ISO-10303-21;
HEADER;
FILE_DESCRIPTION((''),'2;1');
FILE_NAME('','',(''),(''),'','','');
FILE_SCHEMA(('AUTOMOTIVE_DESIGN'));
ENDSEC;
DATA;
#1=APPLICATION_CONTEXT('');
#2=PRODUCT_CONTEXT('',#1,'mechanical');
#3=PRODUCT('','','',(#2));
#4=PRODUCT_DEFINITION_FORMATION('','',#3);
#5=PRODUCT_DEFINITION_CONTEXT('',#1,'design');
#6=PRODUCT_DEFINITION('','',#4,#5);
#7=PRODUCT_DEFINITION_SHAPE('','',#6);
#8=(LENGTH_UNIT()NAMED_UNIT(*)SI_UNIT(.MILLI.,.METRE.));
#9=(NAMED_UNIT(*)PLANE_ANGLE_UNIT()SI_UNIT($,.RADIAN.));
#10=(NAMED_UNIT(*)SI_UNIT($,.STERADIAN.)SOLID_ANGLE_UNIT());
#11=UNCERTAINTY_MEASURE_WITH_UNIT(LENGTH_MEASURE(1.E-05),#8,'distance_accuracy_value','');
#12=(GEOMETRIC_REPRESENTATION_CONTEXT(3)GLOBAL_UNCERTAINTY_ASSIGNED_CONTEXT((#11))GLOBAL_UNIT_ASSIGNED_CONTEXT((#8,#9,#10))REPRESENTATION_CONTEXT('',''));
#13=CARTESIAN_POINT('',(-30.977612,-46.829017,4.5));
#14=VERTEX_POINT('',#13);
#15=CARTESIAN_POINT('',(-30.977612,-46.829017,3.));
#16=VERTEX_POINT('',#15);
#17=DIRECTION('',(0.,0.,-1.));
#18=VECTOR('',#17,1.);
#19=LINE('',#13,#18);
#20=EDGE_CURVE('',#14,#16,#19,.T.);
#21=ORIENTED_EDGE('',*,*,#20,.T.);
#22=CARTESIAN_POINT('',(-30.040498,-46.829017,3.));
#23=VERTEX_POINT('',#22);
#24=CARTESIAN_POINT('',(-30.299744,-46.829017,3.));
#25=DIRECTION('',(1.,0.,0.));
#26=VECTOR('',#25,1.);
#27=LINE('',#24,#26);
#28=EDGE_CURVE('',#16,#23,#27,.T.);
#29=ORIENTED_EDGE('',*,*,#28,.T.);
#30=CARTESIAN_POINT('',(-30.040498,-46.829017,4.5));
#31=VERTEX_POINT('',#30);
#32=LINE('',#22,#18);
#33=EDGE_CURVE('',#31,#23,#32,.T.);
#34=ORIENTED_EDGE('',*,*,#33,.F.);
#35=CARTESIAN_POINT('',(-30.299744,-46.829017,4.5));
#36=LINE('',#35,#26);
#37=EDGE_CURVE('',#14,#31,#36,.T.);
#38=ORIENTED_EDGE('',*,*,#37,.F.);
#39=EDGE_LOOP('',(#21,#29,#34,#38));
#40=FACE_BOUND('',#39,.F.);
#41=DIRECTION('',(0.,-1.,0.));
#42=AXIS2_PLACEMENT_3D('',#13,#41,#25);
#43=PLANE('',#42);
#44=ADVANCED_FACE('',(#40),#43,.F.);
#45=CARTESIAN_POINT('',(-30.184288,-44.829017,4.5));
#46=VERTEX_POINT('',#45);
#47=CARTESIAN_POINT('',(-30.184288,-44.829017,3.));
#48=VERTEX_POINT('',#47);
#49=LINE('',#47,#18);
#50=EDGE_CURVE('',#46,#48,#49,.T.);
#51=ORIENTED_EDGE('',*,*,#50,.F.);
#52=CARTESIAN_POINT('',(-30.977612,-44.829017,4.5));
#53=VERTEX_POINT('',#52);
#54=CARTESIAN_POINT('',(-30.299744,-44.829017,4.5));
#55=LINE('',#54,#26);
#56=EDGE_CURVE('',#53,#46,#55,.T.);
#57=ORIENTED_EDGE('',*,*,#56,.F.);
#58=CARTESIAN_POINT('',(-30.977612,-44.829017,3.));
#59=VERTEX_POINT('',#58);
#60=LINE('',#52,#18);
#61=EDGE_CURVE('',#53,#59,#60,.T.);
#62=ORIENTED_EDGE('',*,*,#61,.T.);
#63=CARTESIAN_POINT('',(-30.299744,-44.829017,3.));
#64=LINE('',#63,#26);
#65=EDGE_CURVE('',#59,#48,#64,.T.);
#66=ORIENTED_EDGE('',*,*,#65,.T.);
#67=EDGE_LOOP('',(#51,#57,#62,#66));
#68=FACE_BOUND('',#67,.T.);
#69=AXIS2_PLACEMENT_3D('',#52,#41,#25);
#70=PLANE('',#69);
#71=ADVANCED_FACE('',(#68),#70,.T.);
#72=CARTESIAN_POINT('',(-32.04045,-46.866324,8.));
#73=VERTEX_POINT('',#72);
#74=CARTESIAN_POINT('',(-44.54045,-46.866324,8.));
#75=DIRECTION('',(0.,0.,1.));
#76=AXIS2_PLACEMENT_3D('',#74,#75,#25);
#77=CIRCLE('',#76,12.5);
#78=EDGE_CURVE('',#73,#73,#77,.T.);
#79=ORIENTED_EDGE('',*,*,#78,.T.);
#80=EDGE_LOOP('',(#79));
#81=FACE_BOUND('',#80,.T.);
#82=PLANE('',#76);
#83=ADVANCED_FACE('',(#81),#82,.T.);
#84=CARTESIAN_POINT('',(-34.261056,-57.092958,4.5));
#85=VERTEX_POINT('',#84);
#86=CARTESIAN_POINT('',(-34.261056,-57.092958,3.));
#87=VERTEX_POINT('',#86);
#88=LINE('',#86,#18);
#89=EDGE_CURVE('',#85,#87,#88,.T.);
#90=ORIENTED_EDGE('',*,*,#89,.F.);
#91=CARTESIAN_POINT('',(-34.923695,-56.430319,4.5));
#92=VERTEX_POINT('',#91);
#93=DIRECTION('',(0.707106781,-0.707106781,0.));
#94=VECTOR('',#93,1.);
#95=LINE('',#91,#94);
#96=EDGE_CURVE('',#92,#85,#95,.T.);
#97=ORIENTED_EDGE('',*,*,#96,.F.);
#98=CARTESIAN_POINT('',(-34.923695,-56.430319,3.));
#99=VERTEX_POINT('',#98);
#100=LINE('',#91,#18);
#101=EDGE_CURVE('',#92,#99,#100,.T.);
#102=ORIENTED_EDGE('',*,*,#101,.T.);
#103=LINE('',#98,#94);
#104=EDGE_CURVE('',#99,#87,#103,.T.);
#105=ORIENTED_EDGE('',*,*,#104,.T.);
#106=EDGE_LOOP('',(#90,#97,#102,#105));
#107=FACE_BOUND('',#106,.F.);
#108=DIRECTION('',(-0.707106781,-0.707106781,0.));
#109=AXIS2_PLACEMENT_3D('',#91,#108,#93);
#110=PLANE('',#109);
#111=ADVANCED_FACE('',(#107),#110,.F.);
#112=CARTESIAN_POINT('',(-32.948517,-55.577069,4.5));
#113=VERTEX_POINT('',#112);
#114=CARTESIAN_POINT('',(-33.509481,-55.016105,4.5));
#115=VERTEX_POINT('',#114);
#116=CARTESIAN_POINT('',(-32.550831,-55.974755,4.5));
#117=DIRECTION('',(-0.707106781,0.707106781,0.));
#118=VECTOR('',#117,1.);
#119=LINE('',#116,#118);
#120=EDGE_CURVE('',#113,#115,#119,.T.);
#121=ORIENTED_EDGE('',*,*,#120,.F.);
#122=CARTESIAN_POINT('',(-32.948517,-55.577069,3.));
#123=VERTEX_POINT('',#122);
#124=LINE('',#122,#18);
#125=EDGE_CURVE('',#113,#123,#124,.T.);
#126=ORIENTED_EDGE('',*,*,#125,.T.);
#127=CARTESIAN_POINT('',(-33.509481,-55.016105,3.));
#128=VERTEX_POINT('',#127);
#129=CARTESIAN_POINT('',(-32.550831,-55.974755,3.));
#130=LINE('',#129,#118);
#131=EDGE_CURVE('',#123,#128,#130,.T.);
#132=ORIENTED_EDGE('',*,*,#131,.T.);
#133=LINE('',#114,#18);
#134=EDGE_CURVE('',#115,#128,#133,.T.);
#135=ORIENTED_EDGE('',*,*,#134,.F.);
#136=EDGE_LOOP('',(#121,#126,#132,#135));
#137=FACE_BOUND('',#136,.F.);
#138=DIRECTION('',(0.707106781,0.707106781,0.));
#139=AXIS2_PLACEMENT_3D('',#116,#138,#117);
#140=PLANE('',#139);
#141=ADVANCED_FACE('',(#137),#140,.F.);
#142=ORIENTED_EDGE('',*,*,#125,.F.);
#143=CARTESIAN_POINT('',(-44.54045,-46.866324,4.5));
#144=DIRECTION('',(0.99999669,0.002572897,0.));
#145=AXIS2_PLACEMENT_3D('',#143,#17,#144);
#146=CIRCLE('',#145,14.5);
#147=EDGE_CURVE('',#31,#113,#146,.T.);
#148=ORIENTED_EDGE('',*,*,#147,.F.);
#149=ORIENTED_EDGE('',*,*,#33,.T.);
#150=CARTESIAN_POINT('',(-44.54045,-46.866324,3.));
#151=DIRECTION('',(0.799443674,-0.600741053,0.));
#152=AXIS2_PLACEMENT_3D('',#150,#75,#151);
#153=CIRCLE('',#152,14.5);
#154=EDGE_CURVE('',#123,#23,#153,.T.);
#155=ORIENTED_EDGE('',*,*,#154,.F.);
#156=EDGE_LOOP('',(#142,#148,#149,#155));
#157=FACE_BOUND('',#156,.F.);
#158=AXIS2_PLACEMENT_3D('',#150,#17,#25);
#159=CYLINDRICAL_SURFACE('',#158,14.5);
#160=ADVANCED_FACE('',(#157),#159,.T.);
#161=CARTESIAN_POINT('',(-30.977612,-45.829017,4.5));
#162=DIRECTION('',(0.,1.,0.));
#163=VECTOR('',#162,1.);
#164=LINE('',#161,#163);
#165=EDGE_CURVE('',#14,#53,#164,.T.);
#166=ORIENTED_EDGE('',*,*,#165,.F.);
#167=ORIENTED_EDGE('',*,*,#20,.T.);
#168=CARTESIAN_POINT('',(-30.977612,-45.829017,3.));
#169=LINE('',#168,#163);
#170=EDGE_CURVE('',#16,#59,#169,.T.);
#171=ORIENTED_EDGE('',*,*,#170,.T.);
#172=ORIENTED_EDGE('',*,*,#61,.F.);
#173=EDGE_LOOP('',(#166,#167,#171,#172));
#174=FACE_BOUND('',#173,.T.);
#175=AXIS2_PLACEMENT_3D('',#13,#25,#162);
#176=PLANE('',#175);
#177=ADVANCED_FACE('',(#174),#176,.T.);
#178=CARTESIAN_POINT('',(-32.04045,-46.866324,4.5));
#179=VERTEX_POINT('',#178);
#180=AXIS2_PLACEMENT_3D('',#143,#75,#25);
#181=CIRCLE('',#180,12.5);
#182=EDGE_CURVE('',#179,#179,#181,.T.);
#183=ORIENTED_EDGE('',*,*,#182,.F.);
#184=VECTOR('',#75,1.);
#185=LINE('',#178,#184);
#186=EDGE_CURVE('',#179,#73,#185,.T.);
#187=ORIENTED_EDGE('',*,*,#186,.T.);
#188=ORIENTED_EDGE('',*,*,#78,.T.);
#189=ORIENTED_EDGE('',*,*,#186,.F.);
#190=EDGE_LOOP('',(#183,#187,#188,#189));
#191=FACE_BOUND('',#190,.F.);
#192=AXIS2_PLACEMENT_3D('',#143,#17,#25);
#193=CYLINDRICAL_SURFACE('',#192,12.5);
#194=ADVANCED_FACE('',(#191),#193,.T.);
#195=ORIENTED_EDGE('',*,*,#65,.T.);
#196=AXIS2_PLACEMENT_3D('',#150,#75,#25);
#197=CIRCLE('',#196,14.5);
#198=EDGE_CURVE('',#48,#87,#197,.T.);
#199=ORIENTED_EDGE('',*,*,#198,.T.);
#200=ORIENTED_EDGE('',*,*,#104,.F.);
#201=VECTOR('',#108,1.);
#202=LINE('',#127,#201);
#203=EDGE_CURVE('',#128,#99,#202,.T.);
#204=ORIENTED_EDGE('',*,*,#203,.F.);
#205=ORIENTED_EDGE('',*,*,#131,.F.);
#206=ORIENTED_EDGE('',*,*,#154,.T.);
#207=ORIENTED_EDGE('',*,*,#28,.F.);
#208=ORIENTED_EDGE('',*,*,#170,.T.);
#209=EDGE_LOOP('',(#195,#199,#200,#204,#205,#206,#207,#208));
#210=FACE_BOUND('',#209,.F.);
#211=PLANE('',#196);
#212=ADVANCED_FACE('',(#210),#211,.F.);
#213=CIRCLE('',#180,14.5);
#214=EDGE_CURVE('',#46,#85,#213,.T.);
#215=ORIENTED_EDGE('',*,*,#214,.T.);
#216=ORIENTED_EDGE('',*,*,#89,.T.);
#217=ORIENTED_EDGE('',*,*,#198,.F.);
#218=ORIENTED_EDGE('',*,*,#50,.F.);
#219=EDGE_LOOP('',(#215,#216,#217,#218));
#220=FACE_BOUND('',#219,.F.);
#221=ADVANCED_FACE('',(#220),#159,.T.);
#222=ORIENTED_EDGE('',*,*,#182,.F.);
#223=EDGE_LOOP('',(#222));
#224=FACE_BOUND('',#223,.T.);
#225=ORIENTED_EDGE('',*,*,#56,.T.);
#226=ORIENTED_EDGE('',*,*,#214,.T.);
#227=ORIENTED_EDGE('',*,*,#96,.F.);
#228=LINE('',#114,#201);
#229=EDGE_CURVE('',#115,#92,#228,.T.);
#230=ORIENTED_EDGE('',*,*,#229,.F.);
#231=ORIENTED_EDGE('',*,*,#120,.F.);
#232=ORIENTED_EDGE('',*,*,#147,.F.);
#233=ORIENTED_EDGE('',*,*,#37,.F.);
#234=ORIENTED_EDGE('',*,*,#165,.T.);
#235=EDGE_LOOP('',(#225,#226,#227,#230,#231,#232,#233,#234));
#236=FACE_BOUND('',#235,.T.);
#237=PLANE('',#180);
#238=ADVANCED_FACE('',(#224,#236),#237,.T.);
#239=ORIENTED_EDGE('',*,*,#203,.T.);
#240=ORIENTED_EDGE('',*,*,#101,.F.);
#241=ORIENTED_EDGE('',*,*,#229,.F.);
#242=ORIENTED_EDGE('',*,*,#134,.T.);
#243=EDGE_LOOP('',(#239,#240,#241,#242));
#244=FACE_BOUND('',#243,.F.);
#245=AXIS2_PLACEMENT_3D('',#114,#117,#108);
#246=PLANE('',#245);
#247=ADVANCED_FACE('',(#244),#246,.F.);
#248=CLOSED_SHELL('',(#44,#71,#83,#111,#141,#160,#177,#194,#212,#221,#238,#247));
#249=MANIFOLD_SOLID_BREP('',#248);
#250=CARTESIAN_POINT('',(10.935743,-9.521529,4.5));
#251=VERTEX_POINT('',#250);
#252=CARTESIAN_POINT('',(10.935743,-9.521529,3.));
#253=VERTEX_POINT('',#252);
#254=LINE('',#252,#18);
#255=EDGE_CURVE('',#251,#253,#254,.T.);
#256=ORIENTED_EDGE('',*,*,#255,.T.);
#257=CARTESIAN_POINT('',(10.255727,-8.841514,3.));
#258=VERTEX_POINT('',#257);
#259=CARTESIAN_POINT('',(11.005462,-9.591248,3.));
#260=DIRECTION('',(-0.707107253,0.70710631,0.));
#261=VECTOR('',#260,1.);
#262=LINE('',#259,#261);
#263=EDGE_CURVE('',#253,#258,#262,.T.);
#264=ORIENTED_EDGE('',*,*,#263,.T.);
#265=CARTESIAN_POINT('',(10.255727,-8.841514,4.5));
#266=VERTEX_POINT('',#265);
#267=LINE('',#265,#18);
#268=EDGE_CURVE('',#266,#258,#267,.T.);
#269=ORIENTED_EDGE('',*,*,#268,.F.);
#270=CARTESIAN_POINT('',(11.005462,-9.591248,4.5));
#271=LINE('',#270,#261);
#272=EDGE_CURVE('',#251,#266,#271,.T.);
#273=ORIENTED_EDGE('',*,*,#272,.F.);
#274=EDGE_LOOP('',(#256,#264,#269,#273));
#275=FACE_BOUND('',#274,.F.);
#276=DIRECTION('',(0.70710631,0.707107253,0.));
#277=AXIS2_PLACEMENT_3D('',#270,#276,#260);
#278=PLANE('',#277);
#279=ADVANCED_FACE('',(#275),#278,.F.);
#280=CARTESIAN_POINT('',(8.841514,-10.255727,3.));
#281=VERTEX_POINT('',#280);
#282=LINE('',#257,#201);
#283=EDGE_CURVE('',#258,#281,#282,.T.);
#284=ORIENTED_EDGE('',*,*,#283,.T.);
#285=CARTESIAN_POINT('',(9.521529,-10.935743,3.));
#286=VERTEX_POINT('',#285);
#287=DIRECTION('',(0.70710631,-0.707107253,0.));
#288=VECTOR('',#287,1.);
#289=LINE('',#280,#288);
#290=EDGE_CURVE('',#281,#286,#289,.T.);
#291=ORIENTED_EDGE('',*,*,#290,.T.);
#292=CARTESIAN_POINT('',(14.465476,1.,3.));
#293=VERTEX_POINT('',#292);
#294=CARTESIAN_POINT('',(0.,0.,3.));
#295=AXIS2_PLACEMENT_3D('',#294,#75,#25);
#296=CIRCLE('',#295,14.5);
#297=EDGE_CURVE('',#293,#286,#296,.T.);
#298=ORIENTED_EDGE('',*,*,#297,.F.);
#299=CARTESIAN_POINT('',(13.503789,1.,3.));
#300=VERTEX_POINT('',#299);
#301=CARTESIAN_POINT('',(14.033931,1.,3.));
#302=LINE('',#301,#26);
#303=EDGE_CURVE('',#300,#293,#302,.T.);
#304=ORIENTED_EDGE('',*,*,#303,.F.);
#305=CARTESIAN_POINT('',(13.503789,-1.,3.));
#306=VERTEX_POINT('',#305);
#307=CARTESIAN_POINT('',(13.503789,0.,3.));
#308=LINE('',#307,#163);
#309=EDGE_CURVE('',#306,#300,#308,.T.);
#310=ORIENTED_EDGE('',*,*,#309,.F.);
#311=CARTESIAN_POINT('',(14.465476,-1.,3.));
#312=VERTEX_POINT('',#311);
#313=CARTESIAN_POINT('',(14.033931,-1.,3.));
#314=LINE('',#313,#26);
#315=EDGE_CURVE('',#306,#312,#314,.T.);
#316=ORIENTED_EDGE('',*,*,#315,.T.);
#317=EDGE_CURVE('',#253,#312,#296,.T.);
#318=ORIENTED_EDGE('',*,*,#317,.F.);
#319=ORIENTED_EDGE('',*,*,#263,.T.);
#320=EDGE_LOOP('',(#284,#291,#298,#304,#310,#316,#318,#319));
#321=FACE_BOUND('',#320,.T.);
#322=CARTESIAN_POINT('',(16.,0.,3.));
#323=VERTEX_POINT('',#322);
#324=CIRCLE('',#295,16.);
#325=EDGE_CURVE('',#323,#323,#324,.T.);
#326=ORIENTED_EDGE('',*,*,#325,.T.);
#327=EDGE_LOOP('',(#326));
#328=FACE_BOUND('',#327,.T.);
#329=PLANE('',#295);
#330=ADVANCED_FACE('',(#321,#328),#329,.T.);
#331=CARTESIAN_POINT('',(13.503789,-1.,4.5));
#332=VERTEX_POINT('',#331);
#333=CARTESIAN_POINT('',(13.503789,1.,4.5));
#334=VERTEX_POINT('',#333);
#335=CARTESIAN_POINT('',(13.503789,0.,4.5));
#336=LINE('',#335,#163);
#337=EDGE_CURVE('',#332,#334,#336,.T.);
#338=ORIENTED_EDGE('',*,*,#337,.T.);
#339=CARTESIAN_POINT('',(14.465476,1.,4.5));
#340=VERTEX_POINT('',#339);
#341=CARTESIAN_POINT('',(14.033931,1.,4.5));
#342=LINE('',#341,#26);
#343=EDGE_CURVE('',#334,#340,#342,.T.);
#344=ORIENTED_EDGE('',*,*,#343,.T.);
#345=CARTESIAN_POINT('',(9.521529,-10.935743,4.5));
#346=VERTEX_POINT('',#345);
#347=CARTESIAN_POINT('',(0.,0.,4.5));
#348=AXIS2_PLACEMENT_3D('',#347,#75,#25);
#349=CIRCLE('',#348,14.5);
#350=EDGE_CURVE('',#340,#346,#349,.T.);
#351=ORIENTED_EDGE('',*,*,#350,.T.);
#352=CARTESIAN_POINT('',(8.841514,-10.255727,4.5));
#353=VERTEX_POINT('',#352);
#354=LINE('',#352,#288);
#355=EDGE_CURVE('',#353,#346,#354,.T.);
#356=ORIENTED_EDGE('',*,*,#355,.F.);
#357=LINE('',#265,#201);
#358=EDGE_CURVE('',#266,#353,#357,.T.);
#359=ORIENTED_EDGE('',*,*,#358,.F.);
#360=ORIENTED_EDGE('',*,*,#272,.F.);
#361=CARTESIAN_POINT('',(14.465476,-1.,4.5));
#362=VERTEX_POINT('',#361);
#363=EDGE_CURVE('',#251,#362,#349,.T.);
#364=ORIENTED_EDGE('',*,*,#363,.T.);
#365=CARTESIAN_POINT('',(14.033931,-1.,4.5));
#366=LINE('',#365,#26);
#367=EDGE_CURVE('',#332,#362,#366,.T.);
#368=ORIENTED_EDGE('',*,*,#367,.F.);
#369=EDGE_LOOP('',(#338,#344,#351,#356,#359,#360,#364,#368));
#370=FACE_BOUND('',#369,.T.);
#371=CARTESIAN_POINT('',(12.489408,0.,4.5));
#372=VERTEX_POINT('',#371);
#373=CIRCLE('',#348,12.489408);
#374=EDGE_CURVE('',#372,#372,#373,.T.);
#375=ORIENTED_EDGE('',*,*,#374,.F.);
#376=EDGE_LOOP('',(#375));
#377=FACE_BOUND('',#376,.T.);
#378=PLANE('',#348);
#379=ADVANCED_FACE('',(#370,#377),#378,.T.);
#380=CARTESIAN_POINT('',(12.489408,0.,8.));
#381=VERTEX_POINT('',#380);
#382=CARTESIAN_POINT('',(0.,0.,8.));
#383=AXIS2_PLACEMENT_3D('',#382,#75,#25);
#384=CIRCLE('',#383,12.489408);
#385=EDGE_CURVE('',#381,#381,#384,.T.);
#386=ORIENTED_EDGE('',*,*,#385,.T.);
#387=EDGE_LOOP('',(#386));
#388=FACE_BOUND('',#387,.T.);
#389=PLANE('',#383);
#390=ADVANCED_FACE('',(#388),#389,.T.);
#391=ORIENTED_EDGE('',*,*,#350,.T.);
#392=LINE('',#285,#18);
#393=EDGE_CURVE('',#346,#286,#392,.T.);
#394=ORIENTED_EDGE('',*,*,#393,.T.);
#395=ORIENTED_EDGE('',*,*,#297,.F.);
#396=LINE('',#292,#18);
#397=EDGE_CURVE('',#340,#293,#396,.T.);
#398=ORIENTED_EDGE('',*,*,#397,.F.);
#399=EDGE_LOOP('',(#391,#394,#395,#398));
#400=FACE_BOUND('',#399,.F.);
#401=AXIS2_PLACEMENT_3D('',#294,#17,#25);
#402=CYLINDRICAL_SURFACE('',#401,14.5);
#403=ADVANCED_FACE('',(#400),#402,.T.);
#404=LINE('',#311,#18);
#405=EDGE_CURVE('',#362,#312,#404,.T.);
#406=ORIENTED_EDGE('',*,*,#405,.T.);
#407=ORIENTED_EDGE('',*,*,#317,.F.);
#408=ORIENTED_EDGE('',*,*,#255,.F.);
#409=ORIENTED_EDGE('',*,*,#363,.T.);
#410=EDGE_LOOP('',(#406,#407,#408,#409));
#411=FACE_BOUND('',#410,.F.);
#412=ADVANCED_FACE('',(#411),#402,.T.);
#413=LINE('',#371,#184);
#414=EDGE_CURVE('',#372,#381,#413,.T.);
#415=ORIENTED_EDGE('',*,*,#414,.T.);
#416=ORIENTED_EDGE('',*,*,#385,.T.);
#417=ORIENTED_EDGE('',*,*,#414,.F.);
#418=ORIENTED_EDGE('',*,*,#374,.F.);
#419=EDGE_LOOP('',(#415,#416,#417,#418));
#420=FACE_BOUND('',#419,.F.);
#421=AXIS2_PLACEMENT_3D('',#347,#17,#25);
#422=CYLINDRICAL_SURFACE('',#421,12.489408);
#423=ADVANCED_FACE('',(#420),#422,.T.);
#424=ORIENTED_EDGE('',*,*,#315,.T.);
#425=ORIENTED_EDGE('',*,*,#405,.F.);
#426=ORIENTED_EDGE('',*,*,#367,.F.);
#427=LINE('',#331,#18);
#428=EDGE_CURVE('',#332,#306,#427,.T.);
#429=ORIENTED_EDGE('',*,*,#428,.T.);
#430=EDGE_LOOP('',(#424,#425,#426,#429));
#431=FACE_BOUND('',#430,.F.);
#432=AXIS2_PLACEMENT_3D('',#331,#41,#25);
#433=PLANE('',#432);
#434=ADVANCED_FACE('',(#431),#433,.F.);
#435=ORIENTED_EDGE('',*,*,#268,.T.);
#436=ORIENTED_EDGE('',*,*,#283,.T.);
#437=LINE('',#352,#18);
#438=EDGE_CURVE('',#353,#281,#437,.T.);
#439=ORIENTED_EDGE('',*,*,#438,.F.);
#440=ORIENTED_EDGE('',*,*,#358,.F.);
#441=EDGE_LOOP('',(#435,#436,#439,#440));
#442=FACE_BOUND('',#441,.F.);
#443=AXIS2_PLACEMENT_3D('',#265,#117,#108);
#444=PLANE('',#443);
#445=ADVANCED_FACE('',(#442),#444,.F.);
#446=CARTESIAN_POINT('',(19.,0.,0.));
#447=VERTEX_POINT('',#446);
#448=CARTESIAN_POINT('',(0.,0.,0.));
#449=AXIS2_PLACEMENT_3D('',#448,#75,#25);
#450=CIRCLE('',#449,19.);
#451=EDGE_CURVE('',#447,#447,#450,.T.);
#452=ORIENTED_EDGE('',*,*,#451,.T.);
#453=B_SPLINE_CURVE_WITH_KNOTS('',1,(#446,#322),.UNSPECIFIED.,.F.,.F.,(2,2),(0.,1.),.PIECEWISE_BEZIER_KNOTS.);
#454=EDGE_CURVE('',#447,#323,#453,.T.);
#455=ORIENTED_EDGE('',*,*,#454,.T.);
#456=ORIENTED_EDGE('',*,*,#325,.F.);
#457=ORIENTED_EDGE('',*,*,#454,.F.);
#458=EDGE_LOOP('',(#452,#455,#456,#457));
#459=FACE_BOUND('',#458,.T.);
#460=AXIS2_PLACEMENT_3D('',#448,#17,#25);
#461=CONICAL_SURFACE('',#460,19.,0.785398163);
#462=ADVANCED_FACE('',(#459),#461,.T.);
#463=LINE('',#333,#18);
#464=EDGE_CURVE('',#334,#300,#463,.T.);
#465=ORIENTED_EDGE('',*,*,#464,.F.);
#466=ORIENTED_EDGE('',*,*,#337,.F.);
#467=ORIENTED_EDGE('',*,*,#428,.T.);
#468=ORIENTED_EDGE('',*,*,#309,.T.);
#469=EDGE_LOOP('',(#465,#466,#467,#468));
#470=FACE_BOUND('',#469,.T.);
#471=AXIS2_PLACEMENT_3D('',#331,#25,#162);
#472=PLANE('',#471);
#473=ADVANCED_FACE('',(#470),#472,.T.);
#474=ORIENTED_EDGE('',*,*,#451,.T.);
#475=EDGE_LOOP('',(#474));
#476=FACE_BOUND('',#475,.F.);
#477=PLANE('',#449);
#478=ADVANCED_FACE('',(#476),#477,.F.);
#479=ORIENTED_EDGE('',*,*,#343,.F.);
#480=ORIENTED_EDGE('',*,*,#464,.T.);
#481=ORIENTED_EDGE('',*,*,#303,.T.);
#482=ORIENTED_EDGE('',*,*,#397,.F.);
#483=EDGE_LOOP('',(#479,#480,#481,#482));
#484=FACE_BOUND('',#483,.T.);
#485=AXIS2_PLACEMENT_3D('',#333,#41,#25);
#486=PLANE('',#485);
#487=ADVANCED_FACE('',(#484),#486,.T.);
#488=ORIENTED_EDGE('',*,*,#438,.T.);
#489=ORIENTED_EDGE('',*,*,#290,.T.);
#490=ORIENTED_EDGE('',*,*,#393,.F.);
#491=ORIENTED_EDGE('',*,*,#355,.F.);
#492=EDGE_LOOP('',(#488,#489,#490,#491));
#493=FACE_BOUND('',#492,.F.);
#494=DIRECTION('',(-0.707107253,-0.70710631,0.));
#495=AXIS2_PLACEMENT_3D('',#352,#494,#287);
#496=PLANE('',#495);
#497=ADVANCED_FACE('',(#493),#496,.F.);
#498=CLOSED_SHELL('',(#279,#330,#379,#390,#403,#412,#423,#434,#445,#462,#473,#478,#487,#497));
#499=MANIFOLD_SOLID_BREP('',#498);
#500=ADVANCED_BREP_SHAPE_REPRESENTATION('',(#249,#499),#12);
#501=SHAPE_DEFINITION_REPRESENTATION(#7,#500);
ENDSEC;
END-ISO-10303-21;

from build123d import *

# Parameters (mm, degrees)
F0_R      = 19
F2_R      = 16
F4_R      = 14.5
F5_DEPTH  = 1.5
F6_R      = 12.489408
F7_DEPTH  = 3.5
F8_W      = 1.060285
F8_H      = 2
F9_DEPTH  = 1.5
F10_R     = 14.5
F11_DEPTH = 1.5
F12_R     = 12.5
F13_DEPTH = 3.5
F14_W     = 1.355736
F14_H     = 2
F15_DEPTH = 1.5


with BuildPart() as f3:
    # F0 (on Top) → F3 section 0
    with BuildSketch(Plane.XY):
        Circle(F0_R)
    # F2 (on offset) → F3 section 1
    with BuildSketch(Plane.XY.offset(3)):
        Circle(F2_R)
    loft()

    # F4 (on face) → F5 (join)
    with BuildSketch(Plane.XY.offset(3)):
        Circle(F4_R)
    extrude(amount=F5_DEPTH)

    # F6 (on face) → F7 (join)
    with BuildSketch(Plane.XY.offset(4.5)):
        Circle(F6_R)
    extrude(amount=F7_DEPTH)

    # F8 (on face) → F9 (cut)
    with BuildSketch(Plane.XY.offset(4.5)):
        Polygon((11.005462, -9.591248), (10.255727, -8.841514), (8.841514, -10.255727), (9.591248, -11.005462), align=None)
        with Locations((14.033931, 0)):
            Rectangle(F8_W, F8_H)
    extrude(amount=-F9_DEPTH, mode=Mode.SUBTRACT)


with BuildPart() as f11:
    # F10 (on offset) → F11 (new body)
    with BuildSketch(Plane.XY.offset(3)):
        with Locations((-44.54045, -46.866324)):
            Circle(F10_R)
    extrude(amount=F11_DEPTH)

    # F12 (on face) → F13 (join)
    with BuildSketch(Plane.XY.offset(4.5)):
        with Locations((-44.54045, -46.866324)):
            Circle(F12_R)
    extrude(amount=F13_DEPTH)

    # F14 (on face) → F15 (cut)
    with BuildSketch(Plane.XY.offset(4.5)):
        Polygon((-32.550831, -55.974755), (-33.509481, -55.016105), (-34.923695, -56.430319), (-33.965045, -57.388969), align=None)
        with Locations((-30.299744, -45.829017)):
            Rectangle(F14_W, F14_H)
    extrude(amount=-F15_DEPTH, mode=Mode.SUBTRACT)


solid = Compound([f3.part, f11.part])
